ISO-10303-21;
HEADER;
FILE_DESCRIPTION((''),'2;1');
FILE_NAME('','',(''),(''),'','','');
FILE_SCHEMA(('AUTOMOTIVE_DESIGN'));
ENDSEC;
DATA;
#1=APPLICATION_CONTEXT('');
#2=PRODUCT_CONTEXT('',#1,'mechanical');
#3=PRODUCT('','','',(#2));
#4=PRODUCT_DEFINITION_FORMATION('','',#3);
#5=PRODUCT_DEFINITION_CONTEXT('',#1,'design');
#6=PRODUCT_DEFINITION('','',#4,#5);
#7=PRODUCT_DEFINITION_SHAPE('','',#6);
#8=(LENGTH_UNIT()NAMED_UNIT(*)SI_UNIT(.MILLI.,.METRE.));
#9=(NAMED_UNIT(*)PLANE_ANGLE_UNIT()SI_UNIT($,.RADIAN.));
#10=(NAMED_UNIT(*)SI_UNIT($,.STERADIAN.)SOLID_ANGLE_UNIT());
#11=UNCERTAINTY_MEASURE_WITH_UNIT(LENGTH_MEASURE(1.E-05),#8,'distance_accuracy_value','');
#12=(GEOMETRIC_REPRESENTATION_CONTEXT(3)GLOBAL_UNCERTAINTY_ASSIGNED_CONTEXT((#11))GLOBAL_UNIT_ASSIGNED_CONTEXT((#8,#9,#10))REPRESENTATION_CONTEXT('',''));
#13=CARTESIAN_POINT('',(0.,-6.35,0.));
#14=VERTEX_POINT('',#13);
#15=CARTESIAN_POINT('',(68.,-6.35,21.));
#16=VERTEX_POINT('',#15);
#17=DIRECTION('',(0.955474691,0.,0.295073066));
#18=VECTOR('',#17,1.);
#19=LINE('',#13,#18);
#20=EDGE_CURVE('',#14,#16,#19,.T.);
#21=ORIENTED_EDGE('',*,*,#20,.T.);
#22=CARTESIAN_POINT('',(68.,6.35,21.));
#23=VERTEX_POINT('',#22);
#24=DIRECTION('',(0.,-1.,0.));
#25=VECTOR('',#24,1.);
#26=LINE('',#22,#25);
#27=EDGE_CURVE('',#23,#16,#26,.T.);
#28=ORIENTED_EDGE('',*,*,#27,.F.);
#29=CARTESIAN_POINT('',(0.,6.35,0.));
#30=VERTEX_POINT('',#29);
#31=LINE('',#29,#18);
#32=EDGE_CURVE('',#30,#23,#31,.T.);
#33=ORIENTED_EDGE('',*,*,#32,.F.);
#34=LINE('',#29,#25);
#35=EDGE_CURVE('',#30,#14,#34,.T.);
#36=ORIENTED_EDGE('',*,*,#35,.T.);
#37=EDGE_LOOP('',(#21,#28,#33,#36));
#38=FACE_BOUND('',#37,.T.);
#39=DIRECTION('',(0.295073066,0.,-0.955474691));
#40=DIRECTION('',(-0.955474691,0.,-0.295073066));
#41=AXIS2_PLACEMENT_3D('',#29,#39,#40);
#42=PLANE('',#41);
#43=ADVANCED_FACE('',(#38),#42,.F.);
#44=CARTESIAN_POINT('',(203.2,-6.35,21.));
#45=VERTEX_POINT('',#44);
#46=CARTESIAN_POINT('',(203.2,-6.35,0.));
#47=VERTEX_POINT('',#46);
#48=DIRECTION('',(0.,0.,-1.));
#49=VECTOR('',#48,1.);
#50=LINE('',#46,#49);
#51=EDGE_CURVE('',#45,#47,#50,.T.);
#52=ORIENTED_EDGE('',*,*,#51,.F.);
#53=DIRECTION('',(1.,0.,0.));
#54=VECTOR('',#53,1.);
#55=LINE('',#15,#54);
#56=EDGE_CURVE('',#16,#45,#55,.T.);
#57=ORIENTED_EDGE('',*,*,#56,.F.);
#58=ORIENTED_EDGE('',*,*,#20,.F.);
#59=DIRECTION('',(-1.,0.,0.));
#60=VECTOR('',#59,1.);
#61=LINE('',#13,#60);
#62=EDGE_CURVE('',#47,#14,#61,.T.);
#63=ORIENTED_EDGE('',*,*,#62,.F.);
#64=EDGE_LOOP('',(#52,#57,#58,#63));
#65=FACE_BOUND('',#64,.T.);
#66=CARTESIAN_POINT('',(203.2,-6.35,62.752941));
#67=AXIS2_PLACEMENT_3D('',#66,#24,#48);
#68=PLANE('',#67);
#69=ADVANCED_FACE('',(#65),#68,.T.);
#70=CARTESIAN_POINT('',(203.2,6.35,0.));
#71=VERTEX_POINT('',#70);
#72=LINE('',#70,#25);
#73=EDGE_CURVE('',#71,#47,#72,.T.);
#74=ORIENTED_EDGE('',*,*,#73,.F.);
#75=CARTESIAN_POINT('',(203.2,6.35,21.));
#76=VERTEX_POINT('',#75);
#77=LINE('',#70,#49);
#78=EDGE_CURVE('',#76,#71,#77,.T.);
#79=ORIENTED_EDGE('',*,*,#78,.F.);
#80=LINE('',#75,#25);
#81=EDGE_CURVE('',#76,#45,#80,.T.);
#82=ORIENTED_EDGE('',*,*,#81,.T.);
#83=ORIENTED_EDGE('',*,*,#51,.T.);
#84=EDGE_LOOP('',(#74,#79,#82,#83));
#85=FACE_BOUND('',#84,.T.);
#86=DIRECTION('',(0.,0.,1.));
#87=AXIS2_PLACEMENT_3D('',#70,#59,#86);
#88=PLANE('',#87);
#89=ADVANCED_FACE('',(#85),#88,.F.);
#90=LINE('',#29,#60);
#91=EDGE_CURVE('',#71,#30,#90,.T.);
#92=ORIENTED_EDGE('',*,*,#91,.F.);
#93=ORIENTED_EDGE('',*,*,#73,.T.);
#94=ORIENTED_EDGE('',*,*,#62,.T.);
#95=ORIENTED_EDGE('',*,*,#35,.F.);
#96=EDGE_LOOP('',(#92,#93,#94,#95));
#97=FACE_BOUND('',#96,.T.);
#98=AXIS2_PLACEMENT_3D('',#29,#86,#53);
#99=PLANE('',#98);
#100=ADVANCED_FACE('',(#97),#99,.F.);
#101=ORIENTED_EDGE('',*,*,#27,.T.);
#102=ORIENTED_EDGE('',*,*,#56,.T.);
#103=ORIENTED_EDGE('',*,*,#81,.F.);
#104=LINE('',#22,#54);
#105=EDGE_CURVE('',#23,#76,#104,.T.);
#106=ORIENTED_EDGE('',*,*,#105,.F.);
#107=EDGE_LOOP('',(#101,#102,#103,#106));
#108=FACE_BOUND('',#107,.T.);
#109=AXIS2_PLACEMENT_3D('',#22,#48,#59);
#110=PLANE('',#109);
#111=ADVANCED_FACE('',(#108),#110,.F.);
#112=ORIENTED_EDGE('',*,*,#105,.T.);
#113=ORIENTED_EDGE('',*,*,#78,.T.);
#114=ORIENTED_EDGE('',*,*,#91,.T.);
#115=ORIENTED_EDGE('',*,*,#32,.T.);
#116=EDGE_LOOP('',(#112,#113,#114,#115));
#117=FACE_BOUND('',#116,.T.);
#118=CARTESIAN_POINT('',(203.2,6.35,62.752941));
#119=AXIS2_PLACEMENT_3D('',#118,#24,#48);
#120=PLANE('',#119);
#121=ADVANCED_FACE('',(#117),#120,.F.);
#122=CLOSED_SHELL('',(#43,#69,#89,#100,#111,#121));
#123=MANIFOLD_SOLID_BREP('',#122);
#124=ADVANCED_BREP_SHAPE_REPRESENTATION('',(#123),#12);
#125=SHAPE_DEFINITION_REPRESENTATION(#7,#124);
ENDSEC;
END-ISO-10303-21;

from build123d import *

# Parameters (mm, degrees)
BOSS_EXTRUDE1_DEPTH = 6.35


with BuildPart() as part:
    # Sketch1 → Boss-Extrude1 (new body, symmetric)
    with BuildSketch(Plane(origin=(0, 0, 0), x_dir=(1, 0, 0), z_dir=(0, 1, 0))):
        Polygon((0, 0), (203.2, 0), (203.2, -21), (68, -21), align=None)
    extrude(amount=BOSS_EXTRUDE1_DEPTH, both=True)


solid = part.part
